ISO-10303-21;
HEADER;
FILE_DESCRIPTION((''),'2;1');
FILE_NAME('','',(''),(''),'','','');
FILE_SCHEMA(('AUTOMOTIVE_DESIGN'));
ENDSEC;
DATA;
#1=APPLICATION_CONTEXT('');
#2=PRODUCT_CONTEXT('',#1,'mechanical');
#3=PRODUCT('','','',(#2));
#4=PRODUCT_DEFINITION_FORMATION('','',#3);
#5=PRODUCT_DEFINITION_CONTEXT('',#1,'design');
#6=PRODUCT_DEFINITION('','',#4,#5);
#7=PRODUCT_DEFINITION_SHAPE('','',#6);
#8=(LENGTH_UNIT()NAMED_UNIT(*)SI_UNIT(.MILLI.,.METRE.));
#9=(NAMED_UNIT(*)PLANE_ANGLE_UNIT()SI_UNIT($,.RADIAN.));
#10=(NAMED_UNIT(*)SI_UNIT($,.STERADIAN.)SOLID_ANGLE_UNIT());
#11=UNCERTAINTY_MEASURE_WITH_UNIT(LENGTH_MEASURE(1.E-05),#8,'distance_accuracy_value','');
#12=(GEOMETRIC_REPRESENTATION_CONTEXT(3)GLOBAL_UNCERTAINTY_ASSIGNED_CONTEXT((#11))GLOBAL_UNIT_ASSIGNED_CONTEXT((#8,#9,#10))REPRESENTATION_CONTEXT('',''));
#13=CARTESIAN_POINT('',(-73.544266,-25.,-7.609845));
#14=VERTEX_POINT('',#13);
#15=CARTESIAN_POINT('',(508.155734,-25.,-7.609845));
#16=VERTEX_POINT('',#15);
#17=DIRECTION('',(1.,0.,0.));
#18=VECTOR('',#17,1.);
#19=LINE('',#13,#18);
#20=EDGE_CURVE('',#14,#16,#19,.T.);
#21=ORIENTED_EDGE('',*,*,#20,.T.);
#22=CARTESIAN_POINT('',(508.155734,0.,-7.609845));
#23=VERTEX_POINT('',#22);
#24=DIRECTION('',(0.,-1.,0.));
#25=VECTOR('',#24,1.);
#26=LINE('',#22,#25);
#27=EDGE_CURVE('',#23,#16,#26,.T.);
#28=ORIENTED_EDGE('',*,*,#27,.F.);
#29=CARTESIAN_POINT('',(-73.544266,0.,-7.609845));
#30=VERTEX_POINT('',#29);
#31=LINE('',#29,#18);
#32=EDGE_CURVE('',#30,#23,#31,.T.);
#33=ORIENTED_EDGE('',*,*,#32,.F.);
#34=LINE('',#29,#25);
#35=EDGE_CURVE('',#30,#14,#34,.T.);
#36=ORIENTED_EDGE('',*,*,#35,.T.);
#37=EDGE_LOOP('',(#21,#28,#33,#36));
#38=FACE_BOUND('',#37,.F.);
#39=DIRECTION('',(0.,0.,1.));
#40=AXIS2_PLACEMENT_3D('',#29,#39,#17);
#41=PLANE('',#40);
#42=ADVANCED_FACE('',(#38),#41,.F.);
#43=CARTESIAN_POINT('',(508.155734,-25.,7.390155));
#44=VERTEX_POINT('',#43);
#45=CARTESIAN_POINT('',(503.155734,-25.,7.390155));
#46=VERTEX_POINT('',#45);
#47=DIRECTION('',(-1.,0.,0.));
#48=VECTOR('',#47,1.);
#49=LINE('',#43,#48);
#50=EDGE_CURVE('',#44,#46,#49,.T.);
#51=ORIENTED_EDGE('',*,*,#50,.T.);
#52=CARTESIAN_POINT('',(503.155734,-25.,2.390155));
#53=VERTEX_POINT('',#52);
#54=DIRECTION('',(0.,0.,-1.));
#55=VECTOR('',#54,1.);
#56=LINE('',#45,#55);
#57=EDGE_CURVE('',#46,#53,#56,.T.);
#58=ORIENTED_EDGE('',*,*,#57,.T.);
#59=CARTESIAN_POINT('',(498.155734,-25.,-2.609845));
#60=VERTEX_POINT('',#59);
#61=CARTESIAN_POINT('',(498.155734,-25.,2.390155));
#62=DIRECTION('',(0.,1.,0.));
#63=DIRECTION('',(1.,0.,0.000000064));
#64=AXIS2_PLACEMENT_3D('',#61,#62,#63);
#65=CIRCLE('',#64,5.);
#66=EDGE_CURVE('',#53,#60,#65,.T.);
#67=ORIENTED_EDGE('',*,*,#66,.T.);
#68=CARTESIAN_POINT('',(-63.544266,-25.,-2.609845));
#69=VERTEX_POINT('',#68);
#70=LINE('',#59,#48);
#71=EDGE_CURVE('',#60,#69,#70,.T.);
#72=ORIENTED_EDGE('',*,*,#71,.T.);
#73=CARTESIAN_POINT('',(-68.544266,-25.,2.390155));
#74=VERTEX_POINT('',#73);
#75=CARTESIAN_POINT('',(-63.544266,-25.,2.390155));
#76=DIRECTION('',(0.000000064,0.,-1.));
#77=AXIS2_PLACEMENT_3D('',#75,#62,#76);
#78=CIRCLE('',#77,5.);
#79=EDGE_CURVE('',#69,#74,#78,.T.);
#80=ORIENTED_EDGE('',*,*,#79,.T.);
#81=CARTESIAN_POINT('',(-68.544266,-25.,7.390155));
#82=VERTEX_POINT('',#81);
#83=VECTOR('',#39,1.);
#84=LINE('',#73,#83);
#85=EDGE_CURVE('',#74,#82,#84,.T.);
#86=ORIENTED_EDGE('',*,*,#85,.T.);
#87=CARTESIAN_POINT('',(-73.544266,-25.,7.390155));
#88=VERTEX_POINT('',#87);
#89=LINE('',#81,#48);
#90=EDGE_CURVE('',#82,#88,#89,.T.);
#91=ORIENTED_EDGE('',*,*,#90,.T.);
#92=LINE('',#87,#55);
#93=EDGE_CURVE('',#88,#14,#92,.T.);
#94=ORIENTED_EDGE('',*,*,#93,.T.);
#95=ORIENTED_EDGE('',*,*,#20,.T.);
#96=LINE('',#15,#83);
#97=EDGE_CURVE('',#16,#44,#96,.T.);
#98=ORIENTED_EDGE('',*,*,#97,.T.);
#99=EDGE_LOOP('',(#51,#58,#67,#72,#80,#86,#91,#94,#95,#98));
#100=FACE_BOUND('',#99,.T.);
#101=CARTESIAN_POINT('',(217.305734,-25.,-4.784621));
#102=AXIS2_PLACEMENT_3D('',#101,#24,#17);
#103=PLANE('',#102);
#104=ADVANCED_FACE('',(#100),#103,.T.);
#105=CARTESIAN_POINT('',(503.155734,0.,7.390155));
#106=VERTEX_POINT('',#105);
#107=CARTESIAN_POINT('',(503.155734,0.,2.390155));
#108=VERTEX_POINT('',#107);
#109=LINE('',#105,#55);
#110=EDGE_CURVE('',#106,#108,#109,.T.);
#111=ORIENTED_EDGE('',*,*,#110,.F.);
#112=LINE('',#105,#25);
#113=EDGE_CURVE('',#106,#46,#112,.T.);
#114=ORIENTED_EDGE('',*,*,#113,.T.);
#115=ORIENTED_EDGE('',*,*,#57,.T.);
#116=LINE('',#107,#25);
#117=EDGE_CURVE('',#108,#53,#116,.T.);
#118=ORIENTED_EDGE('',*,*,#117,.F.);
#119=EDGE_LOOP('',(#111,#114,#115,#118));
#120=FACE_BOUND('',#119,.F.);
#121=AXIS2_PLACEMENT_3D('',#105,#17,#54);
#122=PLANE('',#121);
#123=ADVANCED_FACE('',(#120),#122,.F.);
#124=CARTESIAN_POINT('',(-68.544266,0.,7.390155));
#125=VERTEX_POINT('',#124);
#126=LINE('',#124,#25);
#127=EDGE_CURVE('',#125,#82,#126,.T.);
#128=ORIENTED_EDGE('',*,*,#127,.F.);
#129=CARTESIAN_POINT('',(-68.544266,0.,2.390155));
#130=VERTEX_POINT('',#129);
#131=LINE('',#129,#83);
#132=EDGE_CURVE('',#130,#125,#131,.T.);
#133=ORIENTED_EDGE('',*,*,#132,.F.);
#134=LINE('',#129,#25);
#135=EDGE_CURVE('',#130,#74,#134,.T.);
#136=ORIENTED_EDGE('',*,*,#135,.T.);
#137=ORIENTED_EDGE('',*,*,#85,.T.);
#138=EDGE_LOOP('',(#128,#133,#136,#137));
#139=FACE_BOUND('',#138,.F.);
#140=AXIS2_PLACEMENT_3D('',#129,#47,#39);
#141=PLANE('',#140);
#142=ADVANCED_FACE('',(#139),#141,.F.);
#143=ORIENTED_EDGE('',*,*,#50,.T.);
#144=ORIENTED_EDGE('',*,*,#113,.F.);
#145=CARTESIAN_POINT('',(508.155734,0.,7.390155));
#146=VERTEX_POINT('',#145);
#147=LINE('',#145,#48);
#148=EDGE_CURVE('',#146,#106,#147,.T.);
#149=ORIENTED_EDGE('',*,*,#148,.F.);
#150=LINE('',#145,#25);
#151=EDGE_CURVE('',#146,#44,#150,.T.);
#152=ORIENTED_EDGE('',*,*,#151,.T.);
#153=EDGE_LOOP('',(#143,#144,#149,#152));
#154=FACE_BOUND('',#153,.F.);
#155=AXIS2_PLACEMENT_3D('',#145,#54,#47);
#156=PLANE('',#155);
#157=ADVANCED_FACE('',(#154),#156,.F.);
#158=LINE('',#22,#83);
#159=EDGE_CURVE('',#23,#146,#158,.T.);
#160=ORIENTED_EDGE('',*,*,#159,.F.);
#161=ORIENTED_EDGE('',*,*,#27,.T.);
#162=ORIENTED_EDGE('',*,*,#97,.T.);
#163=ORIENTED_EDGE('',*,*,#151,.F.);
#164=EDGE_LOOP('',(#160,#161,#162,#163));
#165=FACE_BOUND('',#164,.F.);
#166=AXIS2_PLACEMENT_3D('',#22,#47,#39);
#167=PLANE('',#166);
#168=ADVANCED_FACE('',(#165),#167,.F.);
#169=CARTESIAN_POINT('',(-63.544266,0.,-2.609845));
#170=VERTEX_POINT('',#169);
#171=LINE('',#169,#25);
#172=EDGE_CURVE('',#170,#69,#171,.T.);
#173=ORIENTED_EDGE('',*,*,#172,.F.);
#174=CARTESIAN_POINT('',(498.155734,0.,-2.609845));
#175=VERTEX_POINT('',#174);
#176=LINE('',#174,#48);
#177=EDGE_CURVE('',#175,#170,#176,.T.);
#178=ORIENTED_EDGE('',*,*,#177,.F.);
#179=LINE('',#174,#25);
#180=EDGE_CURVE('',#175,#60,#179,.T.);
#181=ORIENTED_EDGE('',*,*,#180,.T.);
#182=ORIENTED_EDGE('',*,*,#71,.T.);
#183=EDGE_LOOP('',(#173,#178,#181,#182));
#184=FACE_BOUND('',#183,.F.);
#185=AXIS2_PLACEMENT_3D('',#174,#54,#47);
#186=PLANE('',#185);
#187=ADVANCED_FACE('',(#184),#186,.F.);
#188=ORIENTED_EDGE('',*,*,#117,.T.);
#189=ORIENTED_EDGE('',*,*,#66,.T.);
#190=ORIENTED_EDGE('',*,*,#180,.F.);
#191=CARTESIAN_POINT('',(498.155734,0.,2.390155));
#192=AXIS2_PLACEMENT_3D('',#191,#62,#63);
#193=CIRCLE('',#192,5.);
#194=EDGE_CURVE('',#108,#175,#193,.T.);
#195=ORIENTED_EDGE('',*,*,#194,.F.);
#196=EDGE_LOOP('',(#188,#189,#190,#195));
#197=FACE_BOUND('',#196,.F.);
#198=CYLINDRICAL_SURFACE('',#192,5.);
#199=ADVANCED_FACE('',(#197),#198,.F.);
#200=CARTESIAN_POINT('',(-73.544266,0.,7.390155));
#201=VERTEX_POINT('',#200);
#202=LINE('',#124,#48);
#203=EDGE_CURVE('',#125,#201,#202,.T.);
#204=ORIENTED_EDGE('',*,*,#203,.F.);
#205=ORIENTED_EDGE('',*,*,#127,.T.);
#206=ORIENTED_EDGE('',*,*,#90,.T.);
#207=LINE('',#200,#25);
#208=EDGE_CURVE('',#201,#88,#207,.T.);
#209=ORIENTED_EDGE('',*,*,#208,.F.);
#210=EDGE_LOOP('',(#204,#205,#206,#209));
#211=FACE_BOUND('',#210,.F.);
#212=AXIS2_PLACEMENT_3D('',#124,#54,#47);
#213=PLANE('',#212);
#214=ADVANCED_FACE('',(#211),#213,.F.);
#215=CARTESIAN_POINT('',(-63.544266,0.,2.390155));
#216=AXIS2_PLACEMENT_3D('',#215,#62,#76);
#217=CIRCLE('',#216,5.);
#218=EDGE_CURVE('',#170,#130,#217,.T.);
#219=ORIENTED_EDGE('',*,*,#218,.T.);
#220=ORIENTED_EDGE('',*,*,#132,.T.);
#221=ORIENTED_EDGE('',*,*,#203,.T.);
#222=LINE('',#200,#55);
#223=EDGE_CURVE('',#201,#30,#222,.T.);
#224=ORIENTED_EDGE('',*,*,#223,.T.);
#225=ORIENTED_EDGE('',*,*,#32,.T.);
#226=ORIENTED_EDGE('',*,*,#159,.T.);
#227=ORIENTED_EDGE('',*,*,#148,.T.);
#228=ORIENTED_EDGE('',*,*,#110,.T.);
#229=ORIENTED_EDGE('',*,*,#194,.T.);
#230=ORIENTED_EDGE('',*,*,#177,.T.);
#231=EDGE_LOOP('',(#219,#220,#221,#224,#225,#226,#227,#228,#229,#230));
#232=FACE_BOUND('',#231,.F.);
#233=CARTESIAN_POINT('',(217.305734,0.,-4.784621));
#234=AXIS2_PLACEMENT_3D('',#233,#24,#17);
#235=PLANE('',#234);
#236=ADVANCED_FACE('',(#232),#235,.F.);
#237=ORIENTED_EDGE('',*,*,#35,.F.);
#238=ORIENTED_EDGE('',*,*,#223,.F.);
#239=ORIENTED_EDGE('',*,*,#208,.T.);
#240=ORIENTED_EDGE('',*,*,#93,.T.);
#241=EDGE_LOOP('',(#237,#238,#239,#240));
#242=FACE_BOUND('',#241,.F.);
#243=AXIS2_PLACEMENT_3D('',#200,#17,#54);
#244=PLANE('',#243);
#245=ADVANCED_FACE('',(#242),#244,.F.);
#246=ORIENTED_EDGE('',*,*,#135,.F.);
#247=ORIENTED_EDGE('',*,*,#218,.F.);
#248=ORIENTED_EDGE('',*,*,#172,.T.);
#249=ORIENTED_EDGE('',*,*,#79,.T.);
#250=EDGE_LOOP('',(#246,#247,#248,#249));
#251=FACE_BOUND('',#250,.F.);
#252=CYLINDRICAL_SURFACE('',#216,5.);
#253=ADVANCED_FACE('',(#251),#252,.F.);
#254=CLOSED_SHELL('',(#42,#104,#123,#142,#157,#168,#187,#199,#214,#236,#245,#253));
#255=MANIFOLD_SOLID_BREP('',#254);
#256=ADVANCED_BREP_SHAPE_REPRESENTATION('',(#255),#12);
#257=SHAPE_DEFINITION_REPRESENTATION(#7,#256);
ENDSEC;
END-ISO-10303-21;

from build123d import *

# Parameters (mm, degrees)
F1_DEPTH = 25


with BuildPart() as f1:
    # F0 (on Front) → F1 (new body)
    with BuildSketch(Plane.XZ):
        with BuildLine():
            ThreePointArc((-63.544266, -2.609845), (-67.0798, -1.145379), (-68.544266, 2.390155))
            Line((-68.544266, 2.390155), (-68.544266, 7.390155))
            Line((-68.544266, 7.390155), (-73.544266, 7.390155))
            Line((-73.544266, 7.390155), (-73.544266, -7.609845))
            Line((-73.544266, -7.609845), (-68.544266, -7.609845))
            Line((-68.544266, -7.609845), (503.155734, -7.609845))
            Line((503.155734, -7.609845), (508.155734, -7.609845))
            Line((508.155734, -7.609845), (508.155734, 7.390155))
            Line((508.155734, 7.390155), (503.155734, 7.390155))
            Line((503.155734, 7.390155), (503.155734, 2.390155))
            ThreePointArc((503.155734, 2.390155), (501.691268, -1.145379), (498.155734, -2.609845))
            Line((498.155734, -2.609845), (-63.544266, -2.609845))
        make_face()
    extrude(amount=F1_DEPTH)


solid = f1.part
